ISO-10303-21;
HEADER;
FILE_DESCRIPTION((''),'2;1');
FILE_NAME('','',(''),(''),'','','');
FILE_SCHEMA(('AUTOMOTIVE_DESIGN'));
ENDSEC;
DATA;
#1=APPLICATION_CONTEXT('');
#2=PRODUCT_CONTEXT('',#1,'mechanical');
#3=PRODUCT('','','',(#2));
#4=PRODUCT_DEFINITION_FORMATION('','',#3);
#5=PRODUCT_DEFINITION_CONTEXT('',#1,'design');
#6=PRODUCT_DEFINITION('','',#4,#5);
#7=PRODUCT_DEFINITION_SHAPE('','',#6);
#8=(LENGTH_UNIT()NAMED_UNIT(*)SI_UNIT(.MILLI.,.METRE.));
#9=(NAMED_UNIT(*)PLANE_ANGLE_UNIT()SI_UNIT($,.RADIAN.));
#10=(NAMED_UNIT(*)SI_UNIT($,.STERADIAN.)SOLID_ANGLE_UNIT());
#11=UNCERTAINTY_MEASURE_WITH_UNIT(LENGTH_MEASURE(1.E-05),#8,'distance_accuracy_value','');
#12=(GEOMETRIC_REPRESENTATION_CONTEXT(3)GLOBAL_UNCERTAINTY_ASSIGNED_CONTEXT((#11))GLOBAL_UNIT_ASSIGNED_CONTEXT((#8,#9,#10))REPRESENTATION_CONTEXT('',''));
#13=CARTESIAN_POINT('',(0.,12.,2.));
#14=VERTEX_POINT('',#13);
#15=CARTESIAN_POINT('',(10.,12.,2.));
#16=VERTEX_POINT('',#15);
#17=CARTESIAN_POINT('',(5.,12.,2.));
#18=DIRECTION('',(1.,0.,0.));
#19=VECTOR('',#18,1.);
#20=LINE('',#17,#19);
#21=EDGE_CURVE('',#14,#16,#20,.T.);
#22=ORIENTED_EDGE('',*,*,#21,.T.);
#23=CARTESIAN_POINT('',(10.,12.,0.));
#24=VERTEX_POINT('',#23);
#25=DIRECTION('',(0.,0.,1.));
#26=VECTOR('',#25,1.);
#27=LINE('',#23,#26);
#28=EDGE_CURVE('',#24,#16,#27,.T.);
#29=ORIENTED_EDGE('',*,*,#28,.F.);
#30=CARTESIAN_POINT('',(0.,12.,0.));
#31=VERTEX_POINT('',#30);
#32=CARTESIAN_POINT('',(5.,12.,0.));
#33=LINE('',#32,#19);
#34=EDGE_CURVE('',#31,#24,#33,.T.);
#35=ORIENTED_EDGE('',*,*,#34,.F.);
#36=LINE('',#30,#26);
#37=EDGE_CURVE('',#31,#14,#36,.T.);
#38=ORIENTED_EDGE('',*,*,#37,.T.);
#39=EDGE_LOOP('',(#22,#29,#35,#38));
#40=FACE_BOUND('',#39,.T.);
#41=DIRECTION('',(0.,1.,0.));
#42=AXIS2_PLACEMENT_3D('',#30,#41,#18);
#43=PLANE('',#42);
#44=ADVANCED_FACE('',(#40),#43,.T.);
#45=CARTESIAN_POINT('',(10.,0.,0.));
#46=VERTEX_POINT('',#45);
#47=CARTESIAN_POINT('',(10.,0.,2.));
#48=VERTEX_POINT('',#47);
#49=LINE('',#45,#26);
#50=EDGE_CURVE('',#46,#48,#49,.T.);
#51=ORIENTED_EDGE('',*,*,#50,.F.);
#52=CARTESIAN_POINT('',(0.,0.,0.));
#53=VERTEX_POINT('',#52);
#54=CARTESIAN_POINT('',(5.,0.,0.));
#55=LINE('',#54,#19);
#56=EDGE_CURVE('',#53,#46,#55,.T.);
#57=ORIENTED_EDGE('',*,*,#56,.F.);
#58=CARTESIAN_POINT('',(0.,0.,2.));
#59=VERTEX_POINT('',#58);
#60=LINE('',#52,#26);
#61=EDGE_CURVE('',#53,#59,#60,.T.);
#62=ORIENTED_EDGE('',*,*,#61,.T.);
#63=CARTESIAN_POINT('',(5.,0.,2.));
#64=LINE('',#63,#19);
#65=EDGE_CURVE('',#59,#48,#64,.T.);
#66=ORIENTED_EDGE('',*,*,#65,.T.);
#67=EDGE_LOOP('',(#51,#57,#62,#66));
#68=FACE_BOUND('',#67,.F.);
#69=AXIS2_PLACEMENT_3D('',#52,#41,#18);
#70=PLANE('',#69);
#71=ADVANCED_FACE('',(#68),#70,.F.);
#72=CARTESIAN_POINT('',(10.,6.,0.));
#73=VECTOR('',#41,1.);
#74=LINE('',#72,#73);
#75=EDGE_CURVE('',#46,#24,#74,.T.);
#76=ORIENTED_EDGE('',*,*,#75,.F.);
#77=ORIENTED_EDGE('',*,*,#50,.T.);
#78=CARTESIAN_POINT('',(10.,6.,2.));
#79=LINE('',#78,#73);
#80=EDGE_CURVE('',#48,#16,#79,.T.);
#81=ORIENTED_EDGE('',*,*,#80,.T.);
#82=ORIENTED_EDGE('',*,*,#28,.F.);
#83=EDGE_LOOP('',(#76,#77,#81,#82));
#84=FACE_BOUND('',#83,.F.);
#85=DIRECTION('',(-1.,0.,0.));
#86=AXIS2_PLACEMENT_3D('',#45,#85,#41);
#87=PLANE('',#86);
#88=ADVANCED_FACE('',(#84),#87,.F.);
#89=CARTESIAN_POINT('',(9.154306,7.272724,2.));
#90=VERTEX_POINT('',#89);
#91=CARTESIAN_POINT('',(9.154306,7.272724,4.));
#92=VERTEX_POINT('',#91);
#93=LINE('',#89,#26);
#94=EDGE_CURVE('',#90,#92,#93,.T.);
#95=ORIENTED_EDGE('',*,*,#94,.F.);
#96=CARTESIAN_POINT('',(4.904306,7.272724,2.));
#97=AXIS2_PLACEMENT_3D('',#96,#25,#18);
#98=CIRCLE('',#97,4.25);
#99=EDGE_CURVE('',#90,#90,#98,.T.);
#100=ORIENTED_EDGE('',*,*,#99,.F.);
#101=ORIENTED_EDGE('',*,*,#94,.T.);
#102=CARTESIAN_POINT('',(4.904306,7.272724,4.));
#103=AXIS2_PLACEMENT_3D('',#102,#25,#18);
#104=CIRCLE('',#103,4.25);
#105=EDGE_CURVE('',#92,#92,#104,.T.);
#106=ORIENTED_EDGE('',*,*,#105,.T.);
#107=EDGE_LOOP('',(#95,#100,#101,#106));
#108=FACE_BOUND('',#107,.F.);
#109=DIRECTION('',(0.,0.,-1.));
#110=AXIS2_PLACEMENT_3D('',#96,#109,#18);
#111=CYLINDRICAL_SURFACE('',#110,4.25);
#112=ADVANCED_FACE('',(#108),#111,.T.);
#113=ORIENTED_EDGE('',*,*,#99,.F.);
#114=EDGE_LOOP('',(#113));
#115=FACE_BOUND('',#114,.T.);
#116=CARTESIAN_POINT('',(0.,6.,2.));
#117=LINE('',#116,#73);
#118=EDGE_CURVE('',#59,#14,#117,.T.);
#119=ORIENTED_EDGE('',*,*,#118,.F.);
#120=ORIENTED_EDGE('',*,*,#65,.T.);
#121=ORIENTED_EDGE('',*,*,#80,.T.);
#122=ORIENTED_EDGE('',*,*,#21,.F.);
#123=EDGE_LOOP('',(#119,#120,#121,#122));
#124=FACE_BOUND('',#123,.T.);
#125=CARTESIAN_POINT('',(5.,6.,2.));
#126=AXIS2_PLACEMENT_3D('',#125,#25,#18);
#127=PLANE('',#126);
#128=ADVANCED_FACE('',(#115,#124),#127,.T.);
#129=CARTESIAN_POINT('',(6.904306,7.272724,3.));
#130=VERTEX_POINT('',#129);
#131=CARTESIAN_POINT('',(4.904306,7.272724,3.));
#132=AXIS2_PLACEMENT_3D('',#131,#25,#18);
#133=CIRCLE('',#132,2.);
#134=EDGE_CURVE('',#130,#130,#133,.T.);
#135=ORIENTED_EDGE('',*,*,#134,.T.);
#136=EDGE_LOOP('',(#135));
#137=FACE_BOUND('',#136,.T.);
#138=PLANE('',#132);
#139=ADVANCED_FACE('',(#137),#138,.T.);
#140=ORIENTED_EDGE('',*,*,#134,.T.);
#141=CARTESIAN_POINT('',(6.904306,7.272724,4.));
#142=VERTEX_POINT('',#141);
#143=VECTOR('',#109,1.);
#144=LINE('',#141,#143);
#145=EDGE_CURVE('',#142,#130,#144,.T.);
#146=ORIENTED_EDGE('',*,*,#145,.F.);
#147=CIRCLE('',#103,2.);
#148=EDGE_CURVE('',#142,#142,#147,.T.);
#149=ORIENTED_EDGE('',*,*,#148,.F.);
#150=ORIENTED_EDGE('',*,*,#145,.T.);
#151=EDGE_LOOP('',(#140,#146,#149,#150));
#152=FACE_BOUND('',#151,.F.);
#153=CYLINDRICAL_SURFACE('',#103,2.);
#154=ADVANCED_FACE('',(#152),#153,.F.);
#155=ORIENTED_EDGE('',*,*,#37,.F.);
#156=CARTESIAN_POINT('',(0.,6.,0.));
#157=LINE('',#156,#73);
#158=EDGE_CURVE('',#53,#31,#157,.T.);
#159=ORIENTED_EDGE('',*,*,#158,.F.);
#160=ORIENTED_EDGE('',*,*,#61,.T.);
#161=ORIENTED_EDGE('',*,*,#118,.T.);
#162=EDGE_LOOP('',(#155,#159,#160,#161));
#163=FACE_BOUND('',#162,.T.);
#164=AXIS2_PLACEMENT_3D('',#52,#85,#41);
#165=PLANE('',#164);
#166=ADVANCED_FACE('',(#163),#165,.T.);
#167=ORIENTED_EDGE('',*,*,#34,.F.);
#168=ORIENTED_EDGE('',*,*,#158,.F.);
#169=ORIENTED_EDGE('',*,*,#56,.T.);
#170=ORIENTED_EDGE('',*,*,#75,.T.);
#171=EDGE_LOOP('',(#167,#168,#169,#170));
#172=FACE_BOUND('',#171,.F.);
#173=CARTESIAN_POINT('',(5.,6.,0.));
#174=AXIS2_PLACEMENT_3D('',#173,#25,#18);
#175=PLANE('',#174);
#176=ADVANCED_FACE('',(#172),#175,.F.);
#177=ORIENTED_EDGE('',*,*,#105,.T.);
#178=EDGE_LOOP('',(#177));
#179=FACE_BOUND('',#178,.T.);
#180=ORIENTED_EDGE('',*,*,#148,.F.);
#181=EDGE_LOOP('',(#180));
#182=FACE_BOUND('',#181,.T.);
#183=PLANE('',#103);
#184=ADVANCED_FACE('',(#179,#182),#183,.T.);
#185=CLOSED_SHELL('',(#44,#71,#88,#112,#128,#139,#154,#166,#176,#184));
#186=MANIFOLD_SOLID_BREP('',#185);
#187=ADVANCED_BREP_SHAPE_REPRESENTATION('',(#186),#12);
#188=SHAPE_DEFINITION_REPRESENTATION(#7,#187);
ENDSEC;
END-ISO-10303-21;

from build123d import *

# Parameters (mm, degrees)
BOX_W        = 10
BOX_H        = 12
BOX_DEPTH    = 2
SKETCH_R     = 4.25
PAD_DEPTH    = 2
SKETCH001_R  = 2
POCKET_DEPTH = 1


with BuildPart() as part:
    # Box → Box (new body)
    with BuildSketch(Plane.XY):
        with Locations((5, 6)):
            Rectangle(BOX_W, BOX_H)
    extrude(amount=BOX_DEPTH)

    # Sketch → Pad (new body)
    with BuildSketch(Plane.XY.offset(2)):
        with Locations((4.904306, 7.272724)):
            Circle(SKETCH_R)
    extrude(amount=PAD_DEPTH)

    # Sketch001 → Pocket (cut)
    with BuildSketch(Plane.XY.offset(4)):
        with Locations((4.904306, 7.272724)):
            Circle(SKETCH001_R)
    extrude(amount=-POCKET_DEPTH, mode=Mode.SUBTRACT)


solid = part.part
